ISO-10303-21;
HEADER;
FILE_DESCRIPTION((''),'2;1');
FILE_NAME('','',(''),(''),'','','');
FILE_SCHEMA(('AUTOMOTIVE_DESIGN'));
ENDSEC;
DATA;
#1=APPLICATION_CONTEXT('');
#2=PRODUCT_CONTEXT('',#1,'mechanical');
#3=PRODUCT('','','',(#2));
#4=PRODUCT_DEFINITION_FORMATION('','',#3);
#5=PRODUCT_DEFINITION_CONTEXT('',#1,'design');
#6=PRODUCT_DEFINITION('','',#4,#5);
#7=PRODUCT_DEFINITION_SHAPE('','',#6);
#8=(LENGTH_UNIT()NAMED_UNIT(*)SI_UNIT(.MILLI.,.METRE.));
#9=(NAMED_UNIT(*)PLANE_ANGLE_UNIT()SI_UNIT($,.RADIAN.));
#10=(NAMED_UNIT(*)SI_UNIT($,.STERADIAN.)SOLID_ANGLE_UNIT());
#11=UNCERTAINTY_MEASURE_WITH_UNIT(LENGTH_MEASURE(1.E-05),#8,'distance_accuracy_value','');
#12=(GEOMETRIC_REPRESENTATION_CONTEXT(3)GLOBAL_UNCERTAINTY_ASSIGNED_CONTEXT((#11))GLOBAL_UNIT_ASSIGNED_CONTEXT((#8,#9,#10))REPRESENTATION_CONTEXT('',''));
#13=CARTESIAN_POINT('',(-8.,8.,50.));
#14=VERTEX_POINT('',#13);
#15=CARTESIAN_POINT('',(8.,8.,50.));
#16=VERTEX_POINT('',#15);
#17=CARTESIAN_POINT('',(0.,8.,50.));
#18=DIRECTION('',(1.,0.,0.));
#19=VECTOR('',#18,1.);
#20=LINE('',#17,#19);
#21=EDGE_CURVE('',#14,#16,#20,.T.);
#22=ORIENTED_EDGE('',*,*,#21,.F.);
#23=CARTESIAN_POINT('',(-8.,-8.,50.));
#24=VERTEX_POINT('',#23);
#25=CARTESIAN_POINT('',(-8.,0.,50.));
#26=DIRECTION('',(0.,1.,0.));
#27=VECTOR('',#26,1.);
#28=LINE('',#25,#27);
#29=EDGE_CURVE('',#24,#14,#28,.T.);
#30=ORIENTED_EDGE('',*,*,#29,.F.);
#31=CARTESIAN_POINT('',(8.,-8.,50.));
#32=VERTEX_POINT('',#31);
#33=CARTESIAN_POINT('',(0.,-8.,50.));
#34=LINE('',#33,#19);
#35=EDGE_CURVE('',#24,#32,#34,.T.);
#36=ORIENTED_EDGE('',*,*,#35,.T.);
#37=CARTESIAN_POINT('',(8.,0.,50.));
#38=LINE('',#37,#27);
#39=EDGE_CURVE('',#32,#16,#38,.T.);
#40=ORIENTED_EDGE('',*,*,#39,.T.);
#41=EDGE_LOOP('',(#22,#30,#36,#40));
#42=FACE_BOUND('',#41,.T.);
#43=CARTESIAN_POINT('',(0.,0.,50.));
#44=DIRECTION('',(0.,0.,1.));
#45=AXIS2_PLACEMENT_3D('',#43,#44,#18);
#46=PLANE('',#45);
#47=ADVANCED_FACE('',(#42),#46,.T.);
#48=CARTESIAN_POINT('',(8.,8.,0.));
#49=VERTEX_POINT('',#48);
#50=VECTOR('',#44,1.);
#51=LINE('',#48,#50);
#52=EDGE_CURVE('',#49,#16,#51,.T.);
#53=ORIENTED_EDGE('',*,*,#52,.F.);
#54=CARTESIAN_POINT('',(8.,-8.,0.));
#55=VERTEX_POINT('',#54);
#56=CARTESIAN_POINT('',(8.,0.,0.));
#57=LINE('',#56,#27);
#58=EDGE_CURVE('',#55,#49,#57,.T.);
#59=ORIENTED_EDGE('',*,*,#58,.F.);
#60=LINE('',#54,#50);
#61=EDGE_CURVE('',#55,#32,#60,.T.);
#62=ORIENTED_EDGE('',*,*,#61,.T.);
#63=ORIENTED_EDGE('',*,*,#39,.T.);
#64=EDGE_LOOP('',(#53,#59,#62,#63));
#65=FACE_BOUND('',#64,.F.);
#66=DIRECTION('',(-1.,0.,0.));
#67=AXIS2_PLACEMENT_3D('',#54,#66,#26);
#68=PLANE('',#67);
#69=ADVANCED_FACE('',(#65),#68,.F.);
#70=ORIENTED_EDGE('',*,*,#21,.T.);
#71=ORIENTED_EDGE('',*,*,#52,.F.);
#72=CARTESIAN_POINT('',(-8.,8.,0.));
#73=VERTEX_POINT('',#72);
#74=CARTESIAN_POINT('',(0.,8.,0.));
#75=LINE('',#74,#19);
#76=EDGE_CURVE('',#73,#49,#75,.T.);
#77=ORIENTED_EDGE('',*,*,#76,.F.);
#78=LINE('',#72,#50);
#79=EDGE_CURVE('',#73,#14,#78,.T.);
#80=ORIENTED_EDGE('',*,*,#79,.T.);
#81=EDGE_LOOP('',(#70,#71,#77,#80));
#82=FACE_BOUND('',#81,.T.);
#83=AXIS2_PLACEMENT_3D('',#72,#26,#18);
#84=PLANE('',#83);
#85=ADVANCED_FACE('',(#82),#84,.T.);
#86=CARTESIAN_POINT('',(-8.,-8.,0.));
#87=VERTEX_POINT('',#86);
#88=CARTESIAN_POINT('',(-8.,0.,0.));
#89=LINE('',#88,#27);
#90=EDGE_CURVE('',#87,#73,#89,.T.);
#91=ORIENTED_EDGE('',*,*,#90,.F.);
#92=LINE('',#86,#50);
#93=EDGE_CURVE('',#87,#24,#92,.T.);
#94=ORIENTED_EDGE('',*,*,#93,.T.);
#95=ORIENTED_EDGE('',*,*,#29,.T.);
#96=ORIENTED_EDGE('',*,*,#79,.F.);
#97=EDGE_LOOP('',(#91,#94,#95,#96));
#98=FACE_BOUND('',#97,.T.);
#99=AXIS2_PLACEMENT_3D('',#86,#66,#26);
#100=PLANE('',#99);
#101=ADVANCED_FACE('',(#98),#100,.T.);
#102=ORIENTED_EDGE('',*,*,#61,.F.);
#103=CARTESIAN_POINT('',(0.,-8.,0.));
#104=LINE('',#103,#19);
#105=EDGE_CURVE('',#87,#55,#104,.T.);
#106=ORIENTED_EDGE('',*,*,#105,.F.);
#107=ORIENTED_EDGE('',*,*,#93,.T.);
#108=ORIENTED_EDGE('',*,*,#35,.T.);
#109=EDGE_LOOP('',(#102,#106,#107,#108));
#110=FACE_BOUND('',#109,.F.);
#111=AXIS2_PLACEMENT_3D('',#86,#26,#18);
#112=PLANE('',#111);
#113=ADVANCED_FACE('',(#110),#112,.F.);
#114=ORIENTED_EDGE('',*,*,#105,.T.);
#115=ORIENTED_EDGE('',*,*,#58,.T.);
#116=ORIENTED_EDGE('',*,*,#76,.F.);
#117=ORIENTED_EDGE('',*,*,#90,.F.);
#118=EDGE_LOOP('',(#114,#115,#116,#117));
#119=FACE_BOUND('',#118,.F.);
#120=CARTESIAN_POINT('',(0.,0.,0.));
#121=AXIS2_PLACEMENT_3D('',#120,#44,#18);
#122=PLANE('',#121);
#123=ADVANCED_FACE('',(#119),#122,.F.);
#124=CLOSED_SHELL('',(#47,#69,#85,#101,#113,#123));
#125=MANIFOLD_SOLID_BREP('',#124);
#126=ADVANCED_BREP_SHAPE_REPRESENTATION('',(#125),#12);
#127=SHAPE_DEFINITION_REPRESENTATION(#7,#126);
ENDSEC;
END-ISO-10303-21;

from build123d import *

# Parameters (mm, degrees)
SKETCH_W      = 16
SKETCH_H      = 16
EXTRUDE_DEPTH = 50


with BuildPart() as part:
    # Sketch → Extrude (new body)
    with BuildSketch(Plane.XY):
        Rectangle(SKETCH_W, SKETCH_H)
    extrude(amount=EXTRUDE_DEPTH)


solid = part.part
